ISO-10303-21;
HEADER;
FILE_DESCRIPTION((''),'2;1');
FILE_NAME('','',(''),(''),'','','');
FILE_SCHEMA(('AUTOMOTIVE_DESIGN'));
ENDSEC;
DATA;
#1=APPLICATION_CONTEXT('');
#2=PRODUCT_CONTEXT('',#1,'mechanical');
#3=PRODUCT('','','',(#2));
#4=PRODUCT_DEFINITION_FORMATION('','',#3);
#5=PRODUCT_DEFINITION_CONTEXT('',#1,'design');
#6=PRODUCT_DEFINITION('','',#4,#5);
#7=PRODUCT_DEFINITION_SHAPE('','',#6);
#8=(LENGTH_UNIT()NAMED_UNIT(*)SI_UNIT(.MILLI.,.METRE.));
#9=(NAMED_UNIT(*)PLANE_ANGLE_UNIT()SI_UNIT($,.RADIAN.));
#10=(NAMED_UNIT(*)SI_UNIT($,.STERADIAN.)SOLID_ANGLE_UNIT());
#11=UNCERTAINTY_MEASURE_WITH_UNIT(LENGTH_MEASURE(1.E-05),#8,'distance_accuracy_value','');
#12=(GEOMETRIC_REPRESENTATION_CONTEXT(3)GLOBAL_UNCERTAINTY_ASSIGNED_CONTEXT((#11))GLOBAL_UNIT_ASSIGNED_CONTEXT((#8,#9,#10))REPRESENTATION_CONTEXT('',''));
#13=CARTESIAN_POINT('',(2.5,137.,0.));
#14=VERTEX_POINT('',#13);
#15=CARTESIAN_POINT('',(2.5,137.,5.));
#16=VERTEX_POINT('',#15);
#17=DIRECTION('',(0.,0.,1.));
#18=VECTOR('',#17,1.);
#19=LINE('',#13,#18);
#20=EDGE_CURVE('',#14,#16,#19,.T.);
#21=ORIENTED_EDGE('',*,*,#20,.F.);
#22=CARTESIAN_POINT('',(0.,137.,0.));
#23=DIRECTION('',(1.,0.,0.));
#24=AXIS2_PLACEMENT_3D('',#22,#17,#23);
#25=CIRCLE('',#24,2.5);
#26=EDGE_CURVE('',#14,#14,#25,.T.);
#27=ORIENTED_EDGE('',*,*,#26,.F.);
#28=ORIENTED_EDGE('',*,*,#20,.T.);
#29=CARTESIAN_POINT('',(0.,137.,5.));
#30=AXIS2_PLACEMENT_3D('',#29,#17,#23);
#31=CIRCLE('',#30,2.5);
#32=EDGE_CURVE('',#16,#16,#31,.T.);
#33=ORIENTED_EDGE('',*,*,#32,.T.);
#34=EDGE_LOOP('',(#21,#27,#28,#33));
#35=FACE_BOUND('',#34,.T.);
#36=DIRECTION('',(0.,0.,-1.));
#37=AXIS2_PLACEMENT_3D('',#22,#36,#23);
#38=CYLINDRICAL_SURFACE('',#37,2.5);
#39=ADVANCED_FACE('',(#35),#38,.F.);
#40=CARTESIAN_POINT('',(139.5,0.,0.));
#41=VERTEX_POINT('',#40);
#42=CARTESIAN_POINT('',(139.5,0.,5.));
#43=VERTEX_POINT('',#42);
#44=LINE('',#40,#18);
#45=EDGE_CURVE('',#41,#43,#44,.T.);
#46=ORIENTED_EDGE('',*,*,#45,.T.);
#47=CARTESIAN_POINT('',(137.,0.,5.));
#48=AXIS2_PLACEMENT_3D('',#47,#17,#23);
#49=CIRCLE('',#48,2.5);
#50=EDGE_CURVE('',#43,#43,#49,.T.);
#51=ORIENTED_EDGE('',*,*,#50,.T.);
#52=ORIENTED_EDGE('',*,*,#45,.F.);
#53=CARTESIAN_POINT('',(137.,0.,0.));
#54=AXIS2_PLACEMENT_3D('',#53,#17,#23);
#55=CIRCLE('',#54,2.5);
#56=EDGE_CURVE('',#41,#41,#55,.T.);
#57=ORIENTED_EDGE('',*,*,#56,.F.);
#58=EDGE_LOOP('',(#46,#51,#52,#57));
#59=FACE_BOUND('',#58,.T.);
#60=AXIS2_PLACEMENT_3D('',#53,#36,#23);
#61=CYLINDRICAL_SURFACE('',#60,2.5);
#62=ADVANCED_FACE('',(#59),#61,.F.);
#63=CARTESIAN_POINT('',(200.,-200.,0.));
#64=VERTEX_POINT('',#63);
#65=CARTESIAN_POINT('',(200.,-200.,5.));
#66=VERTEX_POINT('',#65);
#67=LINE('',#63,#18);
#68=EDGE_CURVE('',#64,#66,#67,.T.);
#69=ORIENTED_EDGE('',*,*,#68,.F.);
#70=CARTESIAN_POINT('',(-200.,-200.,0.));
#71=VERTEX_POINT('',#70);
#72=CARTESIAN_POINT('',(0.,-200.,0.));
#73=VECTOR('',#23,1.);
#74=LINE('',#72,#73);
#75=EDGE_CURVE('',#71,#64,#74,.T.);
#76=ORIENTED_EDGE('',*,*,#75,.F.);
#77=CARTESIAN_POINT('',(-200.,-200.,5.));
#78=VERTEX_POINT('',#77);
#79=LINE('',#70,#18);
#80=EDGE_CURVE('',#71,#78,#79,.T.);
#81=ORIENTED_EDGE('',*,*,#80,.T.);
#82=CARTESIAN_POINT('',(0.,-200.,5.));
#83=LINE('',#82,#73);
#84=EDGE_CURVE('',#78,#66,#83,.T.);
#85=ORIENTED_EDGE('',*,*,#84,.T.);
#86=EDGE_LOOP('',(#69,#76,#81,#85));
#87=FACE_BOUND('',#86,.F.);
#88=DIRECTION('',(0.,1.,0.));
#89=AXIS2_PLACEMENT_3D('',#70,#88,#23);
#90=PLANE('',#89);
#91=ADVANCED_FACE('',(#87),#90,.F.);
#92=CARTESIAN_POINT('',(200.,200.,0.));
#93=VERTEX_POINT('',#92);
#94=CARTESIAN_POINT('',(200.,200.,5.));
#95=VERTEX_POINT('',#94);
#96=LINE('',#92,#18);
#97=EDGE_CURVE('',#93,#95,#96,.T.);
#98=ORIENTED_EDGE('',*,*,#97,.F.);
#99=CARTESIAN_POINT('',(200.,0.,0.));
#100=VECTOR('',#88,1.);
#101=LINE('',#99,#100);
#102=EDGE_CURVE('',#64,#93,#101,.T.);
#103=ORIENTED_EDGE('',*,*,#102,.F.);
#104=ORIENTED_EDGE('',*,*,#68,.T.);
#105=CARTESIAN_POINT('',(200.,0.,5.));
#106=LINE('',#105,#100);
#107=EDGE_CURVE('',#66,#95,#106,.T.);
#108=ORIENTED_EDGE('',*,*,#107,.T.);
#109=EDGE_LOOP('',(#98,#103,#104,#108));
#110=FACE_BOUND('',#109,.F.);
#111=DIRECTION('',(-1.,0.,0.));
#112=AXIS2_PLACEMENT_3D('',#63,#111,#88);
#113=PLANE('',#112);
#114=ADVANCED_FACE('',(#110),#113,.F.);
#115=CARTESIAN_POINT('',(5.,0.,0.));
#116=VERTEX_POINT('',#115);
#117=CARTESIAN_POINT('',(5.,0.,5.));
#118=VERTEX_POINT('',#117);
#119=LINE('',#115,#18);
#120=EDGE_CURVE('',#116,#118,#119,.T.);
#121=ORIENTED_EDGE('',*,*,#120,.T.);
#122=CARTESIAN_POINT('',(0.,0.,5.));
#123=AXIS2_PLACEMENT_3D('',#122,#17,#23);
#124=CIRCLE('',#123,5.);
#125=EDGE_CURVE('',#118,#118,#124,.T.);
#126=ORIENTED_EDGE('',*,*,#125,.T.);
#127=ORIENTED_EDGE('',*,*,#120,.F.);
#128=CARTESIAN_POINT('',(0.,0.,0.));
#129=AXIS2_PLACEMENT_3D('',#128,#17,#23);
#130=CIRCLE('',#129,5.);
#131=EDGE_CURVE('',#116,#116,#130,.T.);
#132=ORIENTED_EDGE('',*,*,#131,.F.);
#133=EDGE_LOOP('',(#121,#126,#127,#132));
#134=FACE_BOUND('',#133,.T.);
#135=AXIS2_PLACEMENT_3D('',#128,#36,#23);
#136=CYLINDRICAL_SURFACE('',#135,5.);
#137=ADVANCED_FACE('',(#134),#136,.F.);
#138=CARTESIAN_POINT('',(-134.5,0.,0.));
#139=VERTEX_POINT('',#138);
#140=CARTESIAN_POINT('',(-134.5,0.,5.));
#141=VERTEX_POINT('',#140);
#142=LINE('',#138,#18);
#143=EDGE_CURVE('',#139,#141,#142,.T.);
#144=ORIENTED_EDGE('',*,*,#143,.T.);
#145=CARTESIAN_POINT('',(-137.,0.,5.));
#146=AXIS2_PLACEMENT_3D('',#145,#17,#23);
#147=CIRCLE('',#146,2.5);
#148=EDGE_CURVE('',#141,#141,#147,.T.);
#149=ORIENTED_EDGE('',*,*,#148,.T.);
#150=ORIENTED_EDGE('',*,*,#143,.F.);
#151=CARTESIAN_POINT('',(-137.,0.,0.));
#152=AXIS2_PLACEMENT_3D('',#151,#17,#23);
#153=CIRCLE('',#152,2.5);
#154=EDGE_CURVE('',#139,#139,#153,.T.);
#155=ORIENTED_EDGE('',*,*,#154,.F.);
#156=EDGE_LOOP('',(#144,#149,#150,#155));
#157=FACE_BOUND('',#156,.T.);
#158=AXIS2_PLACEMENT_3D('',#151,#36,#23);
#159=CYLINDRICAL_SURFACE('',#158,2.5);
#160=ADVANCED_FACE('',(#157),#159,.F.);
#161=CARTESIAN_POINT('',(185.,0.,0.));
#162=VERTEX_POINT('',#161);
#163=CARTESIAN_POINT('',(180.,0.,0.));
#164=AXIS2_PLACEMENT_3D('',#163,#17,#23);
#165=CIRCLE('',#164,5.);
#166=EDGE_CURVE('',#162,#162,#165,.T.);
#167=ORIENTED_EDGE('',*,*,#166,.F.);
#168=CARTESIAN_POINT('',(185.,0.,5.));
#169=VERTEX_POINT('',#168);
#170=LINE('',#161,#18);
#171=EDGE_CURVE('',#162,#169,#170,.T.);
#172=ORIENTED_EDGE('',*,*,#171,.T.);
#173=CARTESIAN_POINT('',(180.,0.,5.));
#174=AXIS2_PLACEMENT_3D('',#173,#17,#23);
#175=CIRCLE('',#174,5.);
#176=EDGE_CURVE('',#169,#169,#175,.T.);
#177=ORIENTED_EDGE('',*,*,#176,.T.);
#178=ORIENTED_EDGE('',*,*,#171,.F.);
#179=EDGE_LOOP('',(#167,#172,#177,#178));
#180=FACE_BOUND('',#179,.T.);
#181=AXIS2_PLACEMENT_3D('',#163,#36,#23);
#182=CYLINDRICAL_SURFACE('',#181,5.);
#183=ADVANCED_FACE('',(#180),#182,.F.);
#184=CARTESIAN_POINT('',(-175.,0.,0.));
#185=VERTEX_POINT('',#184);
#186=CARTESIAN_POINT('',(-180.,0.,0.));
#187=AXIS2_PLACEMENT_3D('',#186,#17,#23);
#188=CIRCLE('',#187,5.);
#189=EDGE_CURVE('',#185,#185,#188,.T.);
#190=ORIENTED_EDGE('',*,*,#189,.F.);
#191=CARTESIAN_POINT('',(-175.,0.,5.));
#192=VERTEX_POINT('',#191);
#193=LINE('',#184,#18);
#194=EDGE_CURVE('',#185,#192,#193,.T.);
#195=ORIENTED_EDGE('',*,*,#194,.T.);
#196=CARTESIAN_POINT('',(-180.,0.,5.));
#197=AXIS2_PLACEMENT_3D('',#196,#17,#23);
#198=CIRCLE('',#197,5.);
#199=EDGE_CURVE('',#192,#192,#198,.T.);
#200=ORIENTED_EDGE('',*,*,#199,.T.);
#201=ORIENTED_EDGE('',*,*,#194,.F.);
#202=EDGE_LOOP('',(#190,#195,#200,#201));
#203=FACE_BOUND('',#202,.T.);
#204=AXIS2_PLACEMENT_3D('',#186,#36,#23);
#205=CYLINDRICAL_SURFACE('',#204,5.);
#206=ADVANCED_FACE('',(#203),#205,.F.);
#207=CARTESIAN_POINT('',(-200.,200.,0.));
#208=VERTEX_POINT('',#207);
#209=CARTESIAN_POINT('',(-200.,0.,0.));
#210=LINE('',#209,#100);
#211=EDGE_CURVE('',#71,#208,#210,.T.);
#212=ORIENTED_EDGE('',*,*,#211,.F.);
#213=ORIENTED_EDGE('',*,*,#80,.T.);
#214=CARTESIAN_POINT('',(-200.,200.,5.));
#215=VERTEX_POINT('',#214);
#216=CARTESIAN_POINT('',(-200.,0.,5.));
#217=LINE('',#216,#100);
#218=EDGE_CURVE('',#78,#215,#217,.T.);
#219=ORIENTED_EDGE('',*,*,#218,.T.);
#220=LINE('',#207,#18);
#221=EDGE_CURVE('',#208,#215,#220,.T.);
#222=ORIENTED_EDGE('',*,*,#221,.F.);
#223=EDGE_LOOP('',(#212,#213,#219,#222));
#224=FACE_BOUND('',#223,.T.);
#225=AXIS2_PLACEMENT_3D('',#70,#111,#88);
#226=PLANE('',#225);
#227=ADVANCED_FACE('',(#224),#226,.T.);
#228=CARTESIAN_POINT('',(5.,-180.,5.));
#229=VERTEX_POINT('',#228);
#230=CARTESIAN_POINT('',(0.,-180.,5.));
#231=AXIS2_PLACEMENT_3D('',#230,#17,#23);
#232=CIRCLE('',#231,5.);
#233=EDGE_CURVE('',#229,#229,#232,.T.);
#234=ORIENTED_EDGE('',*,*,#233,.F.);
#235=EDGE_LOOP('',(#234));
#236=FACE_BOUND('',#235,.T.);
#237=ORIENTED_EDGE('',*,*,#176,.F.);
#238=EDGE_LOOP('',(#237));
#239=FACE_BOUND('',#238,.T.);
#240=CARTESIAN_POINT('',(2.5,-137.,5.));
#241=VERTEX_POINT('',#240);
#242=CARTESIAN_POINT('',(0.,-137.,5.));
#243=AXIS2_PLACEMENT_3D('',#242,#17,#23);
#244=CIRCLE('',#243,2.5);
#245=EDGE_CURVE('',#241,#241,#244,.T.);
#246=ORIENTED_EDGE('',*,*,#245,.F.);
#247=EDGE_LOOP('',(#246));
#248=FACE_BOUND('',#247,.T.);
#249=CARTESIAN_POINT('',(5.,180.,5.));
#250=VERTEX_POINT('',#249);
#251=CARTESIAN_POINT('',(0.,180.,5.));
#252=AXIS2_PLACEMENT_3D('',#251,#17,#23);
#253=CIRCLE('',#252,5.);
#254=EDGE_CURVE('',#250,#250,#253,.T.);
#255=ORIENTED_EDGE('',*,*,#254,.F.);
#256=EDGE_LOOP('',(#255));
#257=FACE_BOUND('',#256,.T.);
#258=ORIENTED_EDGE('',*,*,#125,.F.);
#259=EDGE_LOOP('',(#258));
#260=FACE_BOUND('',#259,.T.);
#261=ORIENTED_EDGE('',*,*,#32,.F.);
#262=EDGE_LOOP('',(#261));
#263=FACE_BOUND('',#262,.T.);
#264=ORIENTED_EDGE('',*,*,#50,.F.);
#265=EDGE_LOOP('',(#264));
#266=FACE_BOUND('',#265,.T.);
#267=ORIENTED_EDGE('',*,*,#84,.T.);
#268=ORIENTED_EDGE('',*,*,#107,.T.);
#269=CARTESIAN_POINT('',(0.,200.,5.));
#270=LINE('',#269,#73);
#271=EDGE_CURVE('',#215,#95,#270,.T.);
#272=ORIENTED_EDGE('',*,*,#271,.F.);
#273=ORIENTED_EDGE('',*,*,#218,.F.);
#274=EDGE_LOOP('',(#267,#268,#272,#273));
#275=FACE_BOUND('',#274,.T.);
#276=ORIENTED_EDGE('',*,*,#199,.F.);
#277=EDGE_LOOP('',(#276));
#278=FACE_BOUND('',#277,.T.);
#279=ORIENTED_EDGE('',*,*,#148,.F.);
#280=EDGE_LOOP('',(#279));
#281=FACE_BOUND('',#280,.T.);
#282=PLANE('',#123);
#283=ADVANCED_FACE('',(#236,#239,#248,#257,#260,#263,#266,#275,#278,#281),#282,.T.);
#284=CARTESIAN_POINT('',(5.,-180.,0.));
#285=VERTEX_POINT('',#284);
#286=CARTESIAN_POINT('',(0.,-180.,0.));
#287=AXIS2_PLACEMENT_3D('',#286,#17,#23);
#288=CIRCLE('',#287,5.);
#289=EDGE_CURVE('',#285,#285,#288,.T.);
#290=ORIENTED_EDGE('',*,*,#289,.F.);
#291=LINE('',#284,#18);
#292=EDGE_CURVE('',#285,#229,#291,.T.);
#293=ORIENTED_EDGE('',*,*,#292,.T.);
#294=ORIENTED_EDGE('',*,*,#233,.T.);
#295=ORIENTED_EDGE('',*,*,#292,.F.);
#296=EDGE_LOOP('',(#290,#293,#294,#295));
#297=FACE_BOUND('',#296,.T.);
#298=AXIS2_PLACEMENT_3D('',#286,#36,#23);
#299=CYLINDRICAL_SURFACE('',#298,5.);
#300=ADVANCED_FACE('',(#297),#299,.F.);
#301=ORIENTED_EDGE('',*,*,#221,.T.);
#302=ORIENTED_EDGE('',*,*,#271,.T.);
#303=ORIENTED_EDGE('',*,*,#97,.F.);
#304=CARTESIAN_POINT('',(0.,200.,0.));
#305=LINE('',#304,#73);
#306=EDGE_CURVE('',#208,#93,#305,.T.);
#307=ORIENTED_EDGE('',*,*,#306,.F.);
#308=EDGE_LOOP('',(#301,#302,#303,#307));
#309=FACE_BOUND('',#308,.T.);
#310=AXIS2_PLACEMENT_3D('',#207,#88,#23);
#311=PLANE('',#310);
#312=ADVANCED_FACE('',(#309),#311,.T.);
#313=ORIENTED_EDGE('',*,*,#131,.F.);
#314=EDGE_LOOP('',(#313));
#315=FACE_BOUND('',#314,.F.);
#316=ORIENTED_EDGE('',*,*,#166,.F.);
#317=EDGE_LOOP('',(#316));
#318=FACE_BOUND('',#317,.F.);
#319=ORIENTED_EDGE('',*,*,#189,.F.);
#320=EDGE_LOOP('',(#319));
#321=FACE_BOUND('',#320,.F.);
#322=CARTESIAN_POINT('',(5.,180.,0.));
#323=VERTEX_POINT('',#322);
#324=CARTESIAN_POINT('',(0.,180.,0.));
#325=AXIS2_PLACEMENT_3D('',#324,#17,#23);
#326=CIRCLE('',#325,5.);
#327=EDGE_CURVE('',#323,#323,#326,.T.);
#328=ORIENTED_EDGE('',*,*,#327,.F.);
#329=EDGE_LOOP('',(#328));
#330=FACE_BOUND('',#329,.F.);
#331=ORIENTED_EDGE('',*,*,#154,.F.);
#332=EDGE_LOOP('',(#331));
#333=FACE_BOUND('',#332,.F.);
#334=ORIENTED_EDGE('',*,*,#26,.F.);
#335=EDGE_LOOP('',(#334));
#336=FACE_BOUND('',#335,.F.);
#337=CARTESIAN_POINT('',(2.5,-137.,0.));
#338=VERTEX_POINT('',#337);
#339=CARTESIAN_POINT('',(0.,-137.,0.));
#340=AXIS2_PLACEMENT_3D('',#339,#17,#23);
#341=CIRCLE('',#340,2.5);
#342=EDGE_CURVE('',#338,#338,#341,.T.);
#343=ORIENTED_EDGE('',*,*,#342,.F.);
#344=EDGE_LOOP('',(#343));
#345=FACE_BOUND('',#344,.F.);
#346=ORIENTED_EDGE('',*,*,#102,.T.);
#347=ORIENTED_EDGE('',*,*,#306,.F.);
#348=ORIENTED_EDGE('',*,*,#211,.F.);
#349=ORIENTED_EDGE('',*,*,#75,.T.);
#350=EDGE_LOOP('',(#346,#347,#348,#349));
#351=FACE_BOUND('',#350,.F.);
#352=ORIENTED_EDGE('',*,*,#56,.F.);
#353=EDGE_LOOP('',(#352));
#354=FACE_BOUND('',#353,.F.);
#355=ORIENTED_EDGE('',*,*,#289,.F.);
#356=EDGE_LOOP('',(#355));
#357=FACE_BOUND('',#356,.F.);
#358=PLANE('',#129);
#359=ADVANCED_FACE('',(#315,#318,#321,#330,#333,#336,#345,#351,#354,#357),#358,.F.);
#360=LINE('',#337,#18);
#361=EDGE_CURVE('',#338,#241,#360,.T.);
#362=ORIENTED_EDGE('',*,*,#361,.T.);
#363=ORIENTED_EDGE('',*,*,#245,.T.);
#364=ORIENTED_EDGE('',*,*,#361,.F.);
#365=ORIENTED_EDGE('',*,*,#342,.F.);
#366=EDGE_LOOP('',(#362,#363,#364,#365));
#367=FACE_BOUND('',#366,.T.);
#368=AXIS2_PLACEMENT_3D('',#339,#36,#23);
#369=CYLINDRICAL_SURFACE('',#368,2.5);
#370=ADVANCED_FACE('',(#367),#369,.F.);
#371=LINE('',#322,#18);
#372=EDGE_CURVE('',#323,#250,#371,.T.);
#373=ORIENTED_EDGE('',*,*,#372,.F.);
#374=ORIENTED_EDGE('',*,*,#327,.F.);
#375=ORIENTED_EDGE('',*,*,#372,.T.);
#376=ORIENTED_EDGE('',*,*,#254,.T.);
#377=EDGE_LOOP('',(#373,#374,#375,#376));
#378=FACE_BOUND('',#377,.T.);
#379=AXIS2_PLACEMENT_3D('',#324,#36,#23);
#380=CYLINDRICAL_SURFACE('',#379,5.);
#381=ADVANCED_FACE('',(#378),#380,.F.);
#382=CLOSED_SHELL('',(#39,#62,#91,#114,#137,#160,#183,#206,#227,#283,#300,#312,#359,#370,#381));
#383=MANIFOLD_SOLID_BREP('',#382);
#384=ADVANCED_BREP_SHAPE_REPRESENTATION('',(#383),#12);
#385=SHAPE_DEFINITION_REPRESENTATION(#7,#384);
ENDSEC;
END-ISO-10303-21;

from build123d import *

# Parameters (mm, degrees)
F0_W     = 400
F0_H     = 400
F0_R     = 5
F0_R_2   = 2.5
F1_DEPTH = 5


with BuildPart() as f1:
    # F0 (on Top) → F1 (new body)
    with BuildSketch(Plane.XY):
        Rectangle(F0_W, F0_H)
        with Locations((0, -180)):
            Circle(F0_R, mode=Mode.SUBTRACT)
        with Locations((0, -137)):
            Circle(F0_R_2, mode=Mode.SUBTRACT)
        with Locations((-180, 0)):
            Circle(F0_R, mode=Mode.SUBTRACT)
        with Locations((-137, 0)):
            Circle(F0_R_2, mode=Mode.SUBTRACT)
        Circle(F0_R, mode=Mode.SUBTRACT)
        with Locations((137, 0)):
            Circle(F0_R_2, mode=Mode.SUBTRACT)
        with Locations((180, 0)):
            Circle(F0_R, mode=Mode.SUBTRACT)
        with Locations((0, 137)):
            Circle(F0_R_2, mode=Mode.SUBTRACT)
        with Locations((0, 180)):
            Circle(F0_R, mode=Mode.SUBTRACT)
    extrude(amount=F1_DEPTH)


solid = f1.part
